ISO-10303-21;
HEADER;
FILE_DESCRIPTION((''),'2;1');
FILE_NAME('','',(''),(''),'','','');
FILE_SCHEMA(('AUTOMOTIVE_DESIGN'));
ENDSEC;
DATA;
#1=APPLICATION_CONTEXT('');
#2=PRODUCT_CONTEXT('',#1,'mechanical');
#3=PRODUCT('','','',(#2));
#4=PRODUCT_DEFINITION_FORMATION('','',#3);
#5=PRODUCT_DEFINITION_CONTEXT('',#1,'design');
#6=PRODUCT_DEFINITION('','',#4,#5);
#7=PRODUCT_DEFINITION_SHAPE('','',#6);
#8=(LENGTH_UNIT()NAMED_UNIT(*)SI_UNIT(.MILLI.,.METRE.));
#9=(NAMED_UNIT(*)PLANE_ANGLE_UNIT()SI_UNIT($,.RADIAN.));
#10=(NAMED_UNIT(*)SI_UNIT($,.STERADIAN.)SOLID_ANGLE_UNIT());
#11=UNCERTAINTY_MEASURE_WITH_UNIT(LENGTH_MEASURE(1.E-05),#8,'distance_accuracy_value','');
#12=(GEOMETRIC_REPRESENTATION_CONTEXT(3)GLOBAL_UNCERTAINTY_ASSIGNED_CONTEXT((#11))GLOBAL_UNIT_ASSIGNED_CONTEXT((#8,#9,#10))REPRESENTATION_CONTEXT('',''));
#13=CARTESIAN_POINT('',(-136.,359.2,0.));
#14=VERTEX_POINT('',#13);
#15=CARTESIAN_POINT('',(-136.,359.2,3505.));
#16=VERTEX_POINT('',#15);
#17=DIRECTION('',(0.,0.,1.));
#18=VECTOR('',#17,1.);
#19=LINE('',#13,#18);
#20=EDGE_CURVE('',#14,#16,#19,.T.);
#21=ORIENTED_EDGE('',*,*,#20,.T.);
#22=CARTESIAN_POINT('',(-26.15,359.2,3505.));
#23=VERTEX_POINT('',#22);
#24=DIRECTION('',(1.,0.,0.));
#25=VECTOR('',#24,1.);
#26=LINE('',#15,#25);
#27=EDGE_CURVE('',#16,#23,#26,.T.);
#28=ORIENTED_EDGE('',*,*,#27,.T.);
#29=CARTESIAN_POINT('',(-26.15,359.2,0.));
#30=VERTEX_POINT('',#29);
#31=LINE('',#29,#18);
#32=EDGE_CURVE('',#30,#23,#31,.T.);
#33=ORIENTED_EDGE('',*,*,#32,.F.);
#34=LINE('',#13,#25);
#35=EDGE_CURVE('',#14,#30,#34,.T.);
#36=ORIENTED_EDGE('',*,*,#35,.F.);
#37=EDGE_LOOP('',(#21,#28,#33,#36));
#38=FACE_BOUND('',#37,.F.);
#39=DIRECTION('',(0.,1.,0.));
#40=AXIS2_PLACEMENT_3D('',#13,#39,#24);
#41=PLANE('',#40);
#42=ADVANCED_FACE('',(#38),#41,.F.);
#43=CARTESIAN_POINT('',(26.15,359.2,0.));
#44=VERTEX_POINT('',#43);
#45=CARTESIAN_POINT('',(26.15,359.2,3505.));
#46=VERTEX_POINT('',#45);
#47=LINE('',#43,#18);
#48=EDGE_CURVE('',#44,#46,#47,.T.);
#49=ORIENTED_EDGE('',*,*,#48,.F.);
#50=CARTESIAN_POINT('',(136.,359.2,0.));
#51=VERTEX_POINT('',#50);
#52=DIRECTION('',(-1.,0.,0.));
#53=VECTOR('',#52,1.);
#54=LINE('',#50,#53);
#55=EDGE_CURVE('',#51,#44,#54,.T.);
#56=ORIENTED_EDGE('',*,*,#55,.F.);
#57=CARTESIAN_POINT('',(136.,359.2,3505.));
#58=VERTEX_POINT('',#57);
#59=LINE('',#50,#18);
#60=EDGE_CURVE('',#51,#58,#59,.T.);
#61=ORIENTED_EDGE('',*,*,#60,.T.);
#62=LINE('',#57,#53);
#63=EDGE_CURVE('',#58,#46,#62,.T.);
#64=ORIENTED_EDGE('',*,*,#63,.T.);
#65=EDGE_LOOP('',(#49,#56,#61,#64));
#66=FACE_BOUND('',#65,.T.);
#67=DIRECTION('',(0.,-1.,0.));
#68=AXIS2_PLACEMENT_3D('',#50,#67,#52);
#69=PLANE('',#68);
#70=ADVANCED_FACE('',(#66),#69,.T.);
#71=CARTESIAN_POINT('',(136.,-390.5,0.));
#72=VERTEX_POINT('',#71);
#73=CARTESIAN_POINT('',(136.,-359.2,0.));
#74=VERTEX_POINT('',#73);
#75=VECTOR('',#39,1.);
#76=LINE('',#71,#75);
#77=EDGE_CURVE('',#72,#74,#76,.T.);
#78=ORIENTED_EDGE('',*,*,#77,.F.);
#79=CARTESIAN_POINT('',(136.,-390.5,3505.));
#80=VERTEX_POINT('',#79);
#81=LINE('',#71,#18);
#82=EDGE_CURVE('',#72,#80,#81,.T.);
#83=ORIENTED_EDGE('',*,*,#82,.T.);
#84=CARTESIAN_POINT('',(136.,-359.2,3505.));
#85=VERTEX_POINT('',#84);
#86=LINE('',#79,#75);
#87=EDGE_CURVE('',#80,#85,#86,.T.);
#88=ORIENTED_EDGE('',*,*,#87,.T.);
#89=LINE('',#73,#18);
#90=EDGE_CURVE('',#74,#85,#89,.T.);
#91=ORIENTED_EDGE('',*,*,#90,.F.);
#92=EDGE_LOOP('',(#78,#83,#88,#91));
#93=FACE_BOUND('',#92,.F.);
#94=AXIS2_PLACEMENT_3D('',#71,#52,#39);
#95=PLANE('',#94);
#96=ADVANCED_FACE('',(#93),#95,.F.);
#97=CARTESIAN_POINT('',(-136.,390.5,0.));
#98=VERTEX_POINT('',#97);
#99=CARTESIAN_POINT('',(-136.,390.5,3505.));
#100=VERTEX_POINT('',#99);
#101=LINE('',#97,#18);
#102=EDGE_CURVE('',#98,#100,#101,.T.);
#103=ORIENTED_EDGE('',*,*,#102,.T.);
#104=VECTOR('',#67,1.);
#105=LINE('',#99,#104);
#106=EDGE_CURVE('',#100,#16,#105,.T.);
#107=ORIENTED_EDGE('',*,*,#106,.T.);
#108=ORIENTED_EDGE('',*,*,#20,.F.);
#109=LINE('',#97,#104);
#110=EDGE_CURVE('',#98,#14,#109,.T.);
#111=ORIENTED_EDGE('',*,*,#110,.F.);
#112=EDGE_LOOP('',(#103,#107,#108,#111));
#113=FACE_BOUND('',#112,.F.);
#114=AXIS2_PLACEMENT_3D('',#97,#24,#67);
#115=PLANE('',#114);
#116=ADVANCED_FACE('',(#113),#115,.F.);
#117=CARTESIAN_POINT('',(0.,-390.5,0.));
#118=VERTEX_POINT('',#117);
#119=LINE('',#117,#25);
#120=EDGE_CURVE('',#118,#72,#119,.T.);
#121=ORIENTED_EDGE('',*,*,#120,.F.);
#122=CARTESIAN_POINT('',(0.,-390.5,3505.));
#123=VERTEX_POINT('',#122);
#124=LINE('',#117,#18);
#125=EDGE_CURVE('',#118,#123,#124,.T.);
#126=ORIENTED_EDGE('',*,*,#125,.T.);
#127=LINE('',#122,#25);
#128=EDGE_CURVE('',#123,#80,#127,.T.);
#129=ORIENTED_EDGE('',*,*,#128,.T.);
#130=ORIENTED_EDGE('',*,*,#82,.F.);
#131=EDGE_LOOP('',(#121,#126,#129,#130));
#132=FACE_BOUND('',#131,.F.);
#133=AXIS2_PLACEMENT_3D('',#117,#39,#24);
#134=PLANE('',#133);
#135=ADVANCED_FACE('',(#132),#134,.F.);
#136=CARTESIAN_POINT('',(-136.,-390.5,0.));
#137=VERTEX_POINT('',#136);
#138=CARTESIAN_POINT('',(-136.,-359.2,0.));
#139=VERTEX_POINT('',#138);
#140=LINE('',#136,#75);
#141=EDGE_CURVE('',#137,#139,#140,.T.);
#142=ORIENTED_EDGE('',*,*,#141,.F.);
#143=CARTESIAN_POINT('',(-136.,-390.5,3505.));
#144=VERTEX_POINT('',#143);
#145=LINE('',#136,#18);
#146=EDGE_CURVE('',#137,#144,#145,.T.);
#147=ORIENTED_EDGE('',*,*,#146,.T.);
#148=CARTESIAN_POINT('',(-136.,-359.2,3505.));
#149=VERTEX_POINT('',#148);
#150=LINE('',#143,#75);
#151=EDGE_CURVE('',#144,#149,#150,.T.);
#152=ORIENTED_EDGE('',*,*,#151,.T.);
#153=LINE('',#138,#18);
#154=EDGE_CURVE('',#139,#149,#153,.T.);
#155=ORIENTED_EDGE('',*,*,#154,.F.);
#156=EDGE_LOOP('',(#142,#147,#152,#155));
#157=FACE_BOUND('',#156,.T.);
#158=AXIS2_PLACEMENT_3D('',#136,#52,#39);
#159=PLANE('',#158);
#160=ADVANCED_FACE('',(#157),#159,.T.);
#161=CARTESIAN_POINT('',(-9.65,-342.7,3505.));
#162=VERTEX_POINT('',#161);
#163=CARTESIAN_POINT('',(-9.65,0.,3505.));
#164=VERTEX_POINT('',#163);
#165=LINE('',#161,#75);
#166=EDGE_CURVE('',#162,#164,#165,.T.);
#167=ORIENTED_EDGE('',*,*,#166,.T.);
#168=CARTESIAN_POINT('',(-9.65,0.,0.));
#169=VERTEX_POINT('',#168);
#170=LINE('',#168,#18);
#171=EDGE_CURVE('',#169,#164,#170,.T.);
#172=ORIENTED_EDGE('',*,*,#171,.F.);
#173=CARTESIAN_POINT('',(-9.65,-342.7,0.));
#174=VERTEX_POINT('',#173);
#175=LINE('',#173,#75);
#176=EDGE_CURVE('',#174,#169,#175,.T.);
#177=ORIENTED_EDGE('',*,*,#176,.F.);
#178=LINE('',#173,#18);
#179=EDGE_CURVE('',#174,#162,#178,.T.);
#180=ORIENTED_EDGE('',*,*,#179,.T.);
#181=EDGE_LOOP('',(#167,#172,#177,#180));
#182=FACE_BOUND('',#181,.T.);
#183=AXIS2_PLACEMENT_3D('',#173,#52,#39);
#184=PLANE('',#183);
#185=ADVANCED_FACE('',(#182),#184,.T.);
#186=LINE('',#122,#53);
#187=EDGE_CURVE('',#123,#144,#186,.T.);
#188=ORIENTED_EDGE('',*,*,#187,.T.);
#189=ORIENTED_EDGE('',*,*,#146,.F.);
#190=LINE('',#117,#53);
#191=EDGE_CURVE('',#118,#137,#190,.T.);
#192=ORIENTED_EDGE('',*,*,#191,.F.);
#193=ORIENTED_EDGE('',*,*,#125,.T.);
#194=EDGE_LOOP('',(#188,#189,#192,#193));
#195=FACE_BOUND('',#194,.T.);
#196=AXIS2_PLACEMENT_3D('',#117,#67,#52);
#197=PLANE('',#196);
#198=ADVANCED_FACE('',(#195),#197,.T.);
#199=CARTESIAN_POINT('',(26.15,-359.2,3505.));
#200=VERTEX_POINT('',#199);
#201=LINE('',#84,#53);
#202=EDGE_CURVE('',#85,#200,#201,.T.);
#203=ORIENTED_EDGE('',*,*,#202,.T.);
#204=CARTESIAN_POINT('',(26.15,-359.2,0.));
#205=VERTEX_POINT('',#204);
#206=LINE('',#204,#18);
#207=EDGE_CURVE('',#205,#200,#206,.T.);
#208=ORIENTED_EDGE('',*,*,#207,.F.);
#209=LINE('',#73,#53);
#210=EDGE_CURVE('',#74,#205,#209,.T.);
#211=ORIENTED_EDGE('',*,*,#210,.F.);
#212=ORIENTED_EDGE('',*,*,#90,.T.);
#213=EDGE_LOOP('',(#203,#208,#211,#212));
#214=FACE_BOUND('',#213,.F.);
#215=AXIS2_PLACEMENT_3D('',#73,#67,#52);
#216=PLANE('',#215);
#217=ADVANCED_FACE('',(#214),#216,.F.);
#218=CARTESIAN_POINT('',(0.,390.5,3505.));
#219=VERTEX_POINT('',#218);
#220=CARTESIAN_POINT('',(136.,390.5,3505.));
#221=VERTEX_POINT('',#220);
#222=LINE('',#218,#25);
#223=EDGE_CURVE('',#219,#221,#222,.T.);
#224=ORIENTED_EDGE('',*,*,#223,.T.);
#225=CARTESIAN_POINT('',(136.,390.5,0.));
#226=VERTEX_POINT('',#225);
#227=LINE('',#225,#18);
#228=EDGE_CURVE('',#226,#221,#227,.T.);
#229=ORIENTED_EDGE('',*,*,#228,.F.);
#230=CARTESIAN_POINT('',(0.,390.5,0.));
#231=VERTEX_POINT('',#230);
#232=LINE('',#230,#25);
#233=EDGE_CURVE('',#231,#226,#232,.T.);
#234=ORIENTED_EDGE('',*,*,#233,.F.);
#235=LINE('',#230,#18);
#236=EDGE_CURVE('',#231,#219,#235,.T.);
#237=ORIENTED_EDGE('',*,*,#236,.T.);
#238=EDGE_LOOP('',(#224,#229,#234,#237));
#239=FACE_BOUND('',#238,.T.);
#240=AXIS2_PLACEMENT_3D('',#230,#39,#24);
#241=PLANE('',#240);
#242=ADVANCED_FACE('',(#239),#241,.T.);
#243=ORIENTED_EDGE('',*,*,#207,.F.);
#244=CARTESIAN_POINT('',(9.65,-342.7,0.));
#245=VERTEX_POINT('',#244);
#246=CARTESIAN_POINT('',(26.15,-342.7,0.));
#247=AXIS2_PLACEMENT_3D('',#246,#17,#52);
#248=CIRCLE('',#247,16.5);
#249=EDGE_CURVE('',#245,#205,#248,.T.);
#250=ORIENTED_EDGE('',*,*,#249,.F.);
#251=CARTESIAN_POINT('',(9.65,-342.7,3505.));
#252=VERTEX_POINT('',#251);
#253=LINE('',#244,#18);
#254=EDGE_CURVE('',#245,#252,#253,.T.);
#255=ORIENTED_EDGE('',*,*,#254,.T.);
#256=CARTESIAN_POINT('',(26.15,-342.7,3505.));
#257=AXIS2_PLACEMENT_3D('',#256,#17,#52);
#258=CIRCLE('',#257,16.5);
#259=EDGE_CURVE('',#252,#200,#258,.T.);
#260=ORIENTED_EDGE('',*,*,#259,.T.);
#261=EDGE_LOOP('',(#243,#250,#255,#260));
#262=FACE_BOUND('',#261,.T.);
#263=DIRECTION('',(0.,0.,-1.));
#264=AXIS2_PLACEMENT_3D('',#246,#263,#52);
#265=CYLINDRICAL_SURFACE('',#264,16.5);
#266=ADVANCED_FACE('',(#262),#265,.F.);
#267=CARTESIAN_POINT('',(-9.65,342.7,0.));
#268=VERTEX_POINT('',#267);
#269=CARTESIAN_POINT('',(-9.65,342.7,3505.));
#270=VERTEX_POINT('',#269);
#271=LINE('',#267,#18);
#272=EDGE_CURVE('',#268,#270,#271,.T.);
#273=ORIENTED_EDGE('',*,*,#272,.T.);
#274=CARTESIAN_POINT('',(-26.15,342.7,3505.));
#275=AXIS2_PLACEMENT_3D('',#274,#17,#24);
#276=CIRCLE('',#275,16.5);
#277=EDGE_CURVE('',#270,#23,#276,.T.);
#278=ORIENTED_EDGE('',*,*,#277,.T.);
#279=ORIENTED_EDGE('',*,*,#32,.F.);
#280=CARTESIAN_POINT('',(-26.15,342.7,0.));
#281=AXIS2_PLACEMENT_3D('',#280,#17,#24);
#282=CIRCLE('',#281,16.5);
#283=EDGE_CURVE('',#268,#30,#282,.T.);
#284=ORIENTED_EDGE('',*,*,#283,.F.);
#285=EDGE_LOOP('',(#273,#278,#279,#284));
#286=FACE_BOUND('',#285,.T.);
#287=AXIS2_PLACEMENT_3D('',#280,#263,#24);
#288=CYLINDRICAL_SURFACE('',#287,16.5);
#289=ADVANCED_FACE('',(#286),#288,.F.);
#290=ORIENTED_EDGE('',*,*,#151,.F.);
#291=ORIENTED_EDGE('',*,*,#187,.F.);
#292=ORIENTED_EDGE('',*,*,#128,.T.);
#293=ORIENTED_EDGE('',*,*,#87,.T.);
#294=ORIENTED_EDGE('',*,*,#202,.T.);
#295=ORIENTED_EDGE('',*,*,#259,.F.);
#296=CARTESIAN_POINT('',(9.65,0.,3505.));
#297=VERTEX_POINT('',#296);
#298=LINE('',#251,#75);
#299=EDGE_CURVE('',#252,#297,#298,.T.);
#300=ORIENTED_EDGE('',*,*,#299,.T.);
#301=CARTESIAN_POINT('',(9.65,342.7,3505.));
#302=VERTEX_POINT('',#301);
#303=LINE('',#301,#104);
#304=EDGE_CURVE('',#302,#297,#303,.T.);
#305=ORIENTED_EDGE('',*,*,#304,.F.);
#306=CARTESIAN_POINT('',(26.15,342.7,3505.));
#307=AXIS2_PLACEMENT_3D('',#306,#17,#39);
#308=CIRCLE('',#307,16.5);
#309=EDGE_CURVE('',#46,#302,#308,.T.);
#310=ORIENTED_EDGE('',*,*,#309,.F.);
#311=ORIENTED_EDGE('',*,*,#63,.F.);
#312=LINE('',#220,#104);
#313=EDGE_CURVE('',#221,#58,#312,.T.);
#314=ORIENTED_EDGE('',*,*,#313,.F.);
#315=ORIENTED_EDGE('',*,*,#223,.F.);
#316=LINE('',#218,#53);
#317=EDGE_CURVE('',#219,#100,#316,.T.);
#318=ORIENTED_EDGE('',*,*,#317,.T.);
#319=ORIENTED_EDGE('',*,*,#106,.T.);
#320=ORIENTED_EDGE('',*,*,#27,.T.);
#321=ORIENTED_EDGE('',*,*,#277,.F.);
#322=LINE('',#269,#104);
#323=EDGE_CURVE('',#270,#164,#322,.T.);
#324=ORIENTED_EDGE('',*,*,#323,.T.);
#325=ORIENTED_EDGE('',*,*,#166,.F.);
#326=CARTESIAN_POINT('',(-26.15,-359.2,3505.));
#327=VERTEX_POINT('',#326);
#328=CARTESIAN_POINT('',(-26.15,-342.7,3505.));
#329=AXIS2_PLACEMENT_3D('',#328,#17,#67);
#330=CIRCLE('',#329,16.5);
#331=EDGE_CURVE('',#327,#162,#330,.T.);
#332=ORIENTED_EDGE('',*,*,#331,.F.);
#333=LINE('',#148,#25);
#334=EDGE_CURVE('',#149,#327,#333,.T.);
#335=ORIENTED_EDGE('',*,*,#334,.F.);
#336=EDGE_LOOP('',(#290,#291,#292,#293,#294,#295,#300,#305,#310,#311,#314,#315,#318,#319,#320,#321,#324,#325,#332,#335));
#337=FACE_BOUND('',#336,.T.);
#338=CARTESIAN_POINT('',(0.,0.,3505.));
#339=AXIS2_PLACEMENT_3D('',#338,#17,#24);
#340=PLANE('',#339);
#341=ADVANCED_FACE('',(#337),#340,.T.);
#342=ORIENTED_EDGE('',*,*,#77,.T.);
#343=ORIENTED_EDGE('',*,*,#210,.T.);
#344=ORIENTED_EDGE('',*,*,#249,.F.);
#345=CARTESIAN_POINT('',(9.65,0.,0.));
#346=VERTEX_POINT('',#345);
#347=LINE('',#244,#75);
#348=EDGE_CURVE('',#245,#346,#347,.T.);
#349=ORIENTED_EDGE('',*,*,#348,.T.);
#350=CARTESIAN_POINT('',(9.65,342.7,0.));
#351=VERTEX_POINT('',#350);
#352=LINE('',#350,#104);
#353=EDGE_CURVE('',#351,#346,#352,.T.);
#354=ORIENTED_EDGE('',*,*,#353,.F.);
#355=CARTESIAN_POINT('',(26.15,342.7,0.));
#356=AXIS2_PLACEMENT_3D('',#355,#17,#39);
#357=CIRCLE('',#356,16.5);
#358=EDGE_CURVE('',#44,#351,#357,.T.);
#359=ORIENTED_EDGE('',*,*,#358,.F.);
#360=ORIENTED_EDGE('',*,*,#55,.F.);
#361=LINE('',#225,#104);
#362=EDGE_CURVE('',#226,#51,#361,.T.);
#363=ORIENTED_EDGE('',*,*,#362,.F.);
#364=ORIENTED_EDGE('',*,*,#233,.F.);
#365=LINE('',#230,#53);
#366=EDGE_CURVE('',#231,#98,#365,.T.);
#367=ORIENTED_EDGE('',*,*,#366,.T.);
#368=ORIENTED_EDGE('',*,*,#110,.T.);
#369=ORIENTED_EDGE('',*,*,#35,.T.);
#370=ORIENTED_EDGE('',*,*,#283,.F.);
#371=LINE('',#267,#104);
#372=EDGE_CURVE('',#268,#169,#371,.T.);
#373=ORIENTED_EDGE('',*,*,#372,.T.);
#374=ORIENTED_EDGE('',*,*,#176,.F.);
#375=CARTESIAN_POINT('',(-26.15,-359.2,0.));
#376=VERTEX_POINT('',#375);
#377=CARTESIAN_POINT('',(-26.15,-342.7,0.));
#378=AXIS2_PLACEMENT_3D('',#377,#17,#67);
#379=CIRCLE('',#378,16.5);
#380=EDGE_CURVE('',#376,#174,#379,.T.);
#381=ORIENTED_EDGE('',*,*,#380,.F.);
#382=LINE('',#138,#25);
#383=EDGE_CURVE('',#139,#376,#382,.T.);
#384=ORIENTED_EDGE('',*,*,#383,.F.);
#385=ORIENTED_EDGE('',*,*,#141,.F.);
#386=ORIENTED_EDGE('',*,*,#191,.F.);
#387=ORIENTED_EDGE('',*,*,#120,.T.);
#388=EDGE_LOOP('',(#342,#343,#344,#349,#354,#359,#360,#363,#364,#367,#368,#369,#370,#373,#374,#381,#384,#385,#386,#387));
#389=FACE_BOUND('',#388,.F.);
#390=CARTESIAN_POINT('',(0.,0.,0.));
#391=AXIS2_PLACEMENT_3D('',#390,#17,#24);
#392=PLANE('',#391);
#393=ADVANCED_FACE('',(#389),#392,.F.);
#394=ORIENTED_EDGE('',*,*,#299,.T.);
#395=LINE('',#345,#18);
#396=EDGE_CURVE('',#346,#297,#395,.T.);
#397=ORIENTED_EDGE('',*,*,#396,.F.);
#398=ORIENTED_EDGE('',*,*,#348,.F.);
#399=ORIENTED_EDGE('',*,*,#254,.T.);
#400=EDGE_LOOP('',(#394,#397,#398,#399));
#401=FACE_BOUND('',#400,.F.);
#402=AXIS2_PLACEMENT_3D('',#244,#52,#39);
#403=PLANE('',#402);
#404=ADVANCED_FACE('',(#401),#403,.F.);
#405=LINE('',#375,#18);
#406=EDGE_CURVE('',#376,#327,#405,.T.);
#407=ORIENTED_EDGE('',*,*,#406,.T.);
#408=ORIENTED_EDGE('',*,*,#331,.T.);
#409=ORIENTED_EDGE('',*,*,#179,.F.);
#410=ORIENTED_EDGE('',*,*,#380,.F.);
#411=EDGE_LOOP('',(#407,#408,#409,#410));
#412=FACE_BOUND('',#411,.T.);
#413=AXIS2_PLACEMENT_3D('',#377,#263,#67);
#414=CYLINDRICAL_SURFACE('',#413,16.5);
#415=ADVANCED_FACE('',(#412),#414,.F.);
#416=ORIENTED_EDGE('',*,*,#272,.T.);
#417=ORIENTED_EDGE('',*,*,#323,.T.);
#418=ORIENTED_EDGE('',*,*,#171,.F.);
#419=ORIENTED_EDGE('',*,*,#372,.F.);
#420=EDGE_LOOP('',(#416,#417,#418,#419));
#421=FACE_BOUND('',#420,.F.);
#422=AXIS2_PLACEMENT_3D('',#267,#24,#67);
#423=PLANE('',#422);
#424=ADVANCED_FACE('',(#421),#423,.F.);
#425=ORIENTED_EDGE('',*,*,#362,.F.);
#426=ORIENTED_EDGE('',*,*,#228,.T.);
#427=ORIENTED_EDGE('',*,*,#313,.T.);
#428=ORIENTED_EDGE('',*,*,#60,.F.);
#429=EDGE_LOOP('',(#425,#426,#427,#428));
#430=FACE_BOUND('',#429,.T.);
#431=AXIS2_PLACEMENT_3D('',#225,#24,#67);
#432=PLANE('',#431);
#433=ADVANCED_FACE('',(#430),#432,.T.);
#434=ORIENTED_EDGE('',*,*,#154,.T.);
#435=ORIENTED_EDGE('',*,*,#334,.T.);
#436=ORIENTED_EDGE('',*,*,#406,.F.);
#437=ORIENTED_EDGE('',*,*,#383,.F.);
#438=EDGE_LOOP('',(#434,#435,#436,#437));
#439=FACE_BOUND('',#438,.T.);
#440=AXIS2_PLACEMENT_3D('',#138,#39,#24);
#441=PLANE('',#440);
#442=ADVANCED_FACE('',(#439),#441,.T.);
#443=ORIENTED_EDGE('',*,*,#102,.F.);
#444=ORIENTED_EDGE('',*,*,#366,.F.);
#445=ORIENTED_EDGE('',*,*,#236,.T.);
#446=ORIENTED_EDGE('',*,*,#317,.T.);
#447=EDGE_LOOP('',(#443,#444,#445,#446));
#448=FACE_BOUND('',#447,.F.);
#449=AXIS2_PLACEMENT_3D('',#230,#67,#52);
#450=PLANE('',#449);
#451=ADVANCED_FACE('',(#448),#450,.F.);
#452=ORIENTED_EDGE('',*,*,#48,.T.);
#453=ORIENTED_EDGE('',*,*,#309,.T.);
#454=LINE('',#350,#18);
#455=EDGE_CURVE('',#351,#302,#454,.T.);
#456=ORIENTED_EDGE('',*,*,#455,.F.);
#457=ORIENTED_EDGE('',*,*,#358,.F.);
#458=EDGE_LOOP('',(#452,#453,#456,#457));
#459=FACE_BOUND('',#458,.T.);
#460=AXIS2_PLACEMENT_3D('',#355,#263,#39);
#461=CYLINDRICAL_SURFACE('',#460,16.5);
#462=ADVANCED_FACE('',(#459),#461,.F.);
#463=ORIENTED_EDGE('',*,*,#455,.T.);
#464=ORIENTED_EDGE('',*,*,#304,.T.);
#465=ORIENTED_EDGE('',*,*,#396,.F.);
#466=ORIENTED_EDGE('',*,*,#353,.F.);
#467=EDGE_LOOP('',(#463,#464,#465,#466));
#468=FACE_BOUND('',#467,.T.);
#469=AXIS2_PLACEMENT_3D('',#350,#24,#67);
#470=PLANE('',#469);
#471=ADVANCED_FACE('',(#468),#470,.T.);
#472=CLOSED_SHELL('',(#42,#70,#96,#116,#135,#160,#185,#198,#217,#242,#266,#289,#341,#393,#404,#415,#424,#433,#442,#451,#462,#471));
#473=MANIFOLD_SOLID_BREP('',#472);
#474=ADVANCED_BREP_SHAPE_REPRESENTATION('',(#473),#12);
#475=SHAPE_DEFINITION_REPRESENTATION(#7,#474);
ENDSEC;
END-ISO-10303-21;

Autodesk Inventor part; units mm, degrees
ref_plane "YZ Plane" through (0, 0, 0) normal (1, 0, 0) x (0, 1, 0)
ref_plane "Start plane" through (0, 0, 0) normal (0, 0, 1) x (1, 0, 0)
ref_plane "End plane" through (0, 0, 3505) normal (0, 0, 1) x (1, 0, 0)
sketch "Sketch" plane through (0, 0, 0) normal (0, 0, 1) x (1, 0, 0)
  line L0 (-136, -390.5) -> (-136, -359.2)
  line L1 (-136, -359.2) -> (-26.15, -359.2)
  line L2 (-9.65, -342.7) -> (-9.65, 0)
  line L3 (-9.65, 0) -> (0, 0) construction
  line L4 (0, 0) -> (0, -390.5) construction
  line L5 (0, -390.5) -> (-136, -390.5)
  line L6 (-60, 0) -> (80, 0) construction
  line L7 (0, -60) -> (0, 80) construction
  line L8 (136, -390.5) -> (136, -359.2)
  line L9 (136, -359.2) -> (26.15, -359.2)
  line L10 (9.65, -342.7) -> (9.65, 0)
  line L11 (9.65, 0) -> (0, 0) construction
  line L12 (0, -390.5) -> (136, -390.5)
  line L13 (-136, 390.5) -> (-136, 359.2)
  line L14 (-136, 359.2) -> (-26.15, 359.2)
  line L15 (-9.65, 342.7) -> (-9.65, 0)
  line L16 (0, 390.5) -> (-136, 390.5)
  line L17 (136, 390.5) -> (136, 359.2)
  line L18 (136, 359.2) -> (26.15, 359.2)
  line L19 (0, 390.5) -> (136, 390.5)
  line L20 (9.65, 342.7) -> (9.65, 0)
  arc A0 (-9.65, 342.7) -> (-26.15, 359.2) centre (-26.15, 342.7) ccw
  arc A1 (26.15, 359.2) -> (9.65, 342.7) centre (26.15, 342.7) ccw
  arc A2 (9.65, -342.7) -> (26.15, -359.2) centre (26.15, -342.7) ccw
  arc A3 (-26.15, -359.2) -> (-9.65, -342.7) centre (-26.15, -342.7) ccw
  line L21 (0, 108) -> (0, -88) construction
  line L22 (-88, 0) -> (108, 0) construction
  point P0 (-9.65, -359.2)
  point P1 (9.65, -359.2)
  point P2 (-9.65, 359.2)
  point P3 (9.65, 359.2)
  dimension "d1" = 390.5
  dimension "d2" = 31.3
  dimension "d3" = 136
  dimension "d4" = 9.65
  dimension "d10" = 16.5
extrude "Body" add sketch "Sketch" along normal up to surface (3505 mm away) from surface at 0
sketch "Sketch4" plane through (0, 0, 0) normal (0, 0, 1) x (1, 0, 0)
  line L0 (0, 0) -> (10, 0)
ref_plane "Work Plane3" through (0, 0, 0) normal (0, -1, 0) x (1, 0, 0)
sketch "Sketch5" plane through (0, 0, 0) normal (0, -1, 0) x (1, 0, 0)
  line L0 (-2, 0) -> (12, 0) projected
  line L1 (-2, 3505) -> (12, 3505) projected
  dimension "d14" = 3505
equation "\"d1\" = 0.5 * G_H"
equation "\"d2\" = G_T1"
equation "\"d3\" = 0.5 * G_W"
equation "\"d4\" = 0.5 * G_T"
equation "\"d10\" = G_IR"
equation "\"d5\" = G_L"
equation "\"G_W\" = 272"
equation "\"G_H\" = 781"
equation "\"G_T\" = 19.3"
equation "\"G_T1\" = 31.3"
equation "\"G_IR\" = 16.5"
equation "\"G_L\" = d14"
equation "\"G_OFFSET_START\" = 0"
equation "\"G_OFFSET_END\" = 0"
equation "\"d12\" = G_OFFSET_END + B_L"
equation "\"B_L\" = 3505"
properties part number "AS 3679-1990 - 760 UB - 244 - 3505" material "Steel, Mild"
